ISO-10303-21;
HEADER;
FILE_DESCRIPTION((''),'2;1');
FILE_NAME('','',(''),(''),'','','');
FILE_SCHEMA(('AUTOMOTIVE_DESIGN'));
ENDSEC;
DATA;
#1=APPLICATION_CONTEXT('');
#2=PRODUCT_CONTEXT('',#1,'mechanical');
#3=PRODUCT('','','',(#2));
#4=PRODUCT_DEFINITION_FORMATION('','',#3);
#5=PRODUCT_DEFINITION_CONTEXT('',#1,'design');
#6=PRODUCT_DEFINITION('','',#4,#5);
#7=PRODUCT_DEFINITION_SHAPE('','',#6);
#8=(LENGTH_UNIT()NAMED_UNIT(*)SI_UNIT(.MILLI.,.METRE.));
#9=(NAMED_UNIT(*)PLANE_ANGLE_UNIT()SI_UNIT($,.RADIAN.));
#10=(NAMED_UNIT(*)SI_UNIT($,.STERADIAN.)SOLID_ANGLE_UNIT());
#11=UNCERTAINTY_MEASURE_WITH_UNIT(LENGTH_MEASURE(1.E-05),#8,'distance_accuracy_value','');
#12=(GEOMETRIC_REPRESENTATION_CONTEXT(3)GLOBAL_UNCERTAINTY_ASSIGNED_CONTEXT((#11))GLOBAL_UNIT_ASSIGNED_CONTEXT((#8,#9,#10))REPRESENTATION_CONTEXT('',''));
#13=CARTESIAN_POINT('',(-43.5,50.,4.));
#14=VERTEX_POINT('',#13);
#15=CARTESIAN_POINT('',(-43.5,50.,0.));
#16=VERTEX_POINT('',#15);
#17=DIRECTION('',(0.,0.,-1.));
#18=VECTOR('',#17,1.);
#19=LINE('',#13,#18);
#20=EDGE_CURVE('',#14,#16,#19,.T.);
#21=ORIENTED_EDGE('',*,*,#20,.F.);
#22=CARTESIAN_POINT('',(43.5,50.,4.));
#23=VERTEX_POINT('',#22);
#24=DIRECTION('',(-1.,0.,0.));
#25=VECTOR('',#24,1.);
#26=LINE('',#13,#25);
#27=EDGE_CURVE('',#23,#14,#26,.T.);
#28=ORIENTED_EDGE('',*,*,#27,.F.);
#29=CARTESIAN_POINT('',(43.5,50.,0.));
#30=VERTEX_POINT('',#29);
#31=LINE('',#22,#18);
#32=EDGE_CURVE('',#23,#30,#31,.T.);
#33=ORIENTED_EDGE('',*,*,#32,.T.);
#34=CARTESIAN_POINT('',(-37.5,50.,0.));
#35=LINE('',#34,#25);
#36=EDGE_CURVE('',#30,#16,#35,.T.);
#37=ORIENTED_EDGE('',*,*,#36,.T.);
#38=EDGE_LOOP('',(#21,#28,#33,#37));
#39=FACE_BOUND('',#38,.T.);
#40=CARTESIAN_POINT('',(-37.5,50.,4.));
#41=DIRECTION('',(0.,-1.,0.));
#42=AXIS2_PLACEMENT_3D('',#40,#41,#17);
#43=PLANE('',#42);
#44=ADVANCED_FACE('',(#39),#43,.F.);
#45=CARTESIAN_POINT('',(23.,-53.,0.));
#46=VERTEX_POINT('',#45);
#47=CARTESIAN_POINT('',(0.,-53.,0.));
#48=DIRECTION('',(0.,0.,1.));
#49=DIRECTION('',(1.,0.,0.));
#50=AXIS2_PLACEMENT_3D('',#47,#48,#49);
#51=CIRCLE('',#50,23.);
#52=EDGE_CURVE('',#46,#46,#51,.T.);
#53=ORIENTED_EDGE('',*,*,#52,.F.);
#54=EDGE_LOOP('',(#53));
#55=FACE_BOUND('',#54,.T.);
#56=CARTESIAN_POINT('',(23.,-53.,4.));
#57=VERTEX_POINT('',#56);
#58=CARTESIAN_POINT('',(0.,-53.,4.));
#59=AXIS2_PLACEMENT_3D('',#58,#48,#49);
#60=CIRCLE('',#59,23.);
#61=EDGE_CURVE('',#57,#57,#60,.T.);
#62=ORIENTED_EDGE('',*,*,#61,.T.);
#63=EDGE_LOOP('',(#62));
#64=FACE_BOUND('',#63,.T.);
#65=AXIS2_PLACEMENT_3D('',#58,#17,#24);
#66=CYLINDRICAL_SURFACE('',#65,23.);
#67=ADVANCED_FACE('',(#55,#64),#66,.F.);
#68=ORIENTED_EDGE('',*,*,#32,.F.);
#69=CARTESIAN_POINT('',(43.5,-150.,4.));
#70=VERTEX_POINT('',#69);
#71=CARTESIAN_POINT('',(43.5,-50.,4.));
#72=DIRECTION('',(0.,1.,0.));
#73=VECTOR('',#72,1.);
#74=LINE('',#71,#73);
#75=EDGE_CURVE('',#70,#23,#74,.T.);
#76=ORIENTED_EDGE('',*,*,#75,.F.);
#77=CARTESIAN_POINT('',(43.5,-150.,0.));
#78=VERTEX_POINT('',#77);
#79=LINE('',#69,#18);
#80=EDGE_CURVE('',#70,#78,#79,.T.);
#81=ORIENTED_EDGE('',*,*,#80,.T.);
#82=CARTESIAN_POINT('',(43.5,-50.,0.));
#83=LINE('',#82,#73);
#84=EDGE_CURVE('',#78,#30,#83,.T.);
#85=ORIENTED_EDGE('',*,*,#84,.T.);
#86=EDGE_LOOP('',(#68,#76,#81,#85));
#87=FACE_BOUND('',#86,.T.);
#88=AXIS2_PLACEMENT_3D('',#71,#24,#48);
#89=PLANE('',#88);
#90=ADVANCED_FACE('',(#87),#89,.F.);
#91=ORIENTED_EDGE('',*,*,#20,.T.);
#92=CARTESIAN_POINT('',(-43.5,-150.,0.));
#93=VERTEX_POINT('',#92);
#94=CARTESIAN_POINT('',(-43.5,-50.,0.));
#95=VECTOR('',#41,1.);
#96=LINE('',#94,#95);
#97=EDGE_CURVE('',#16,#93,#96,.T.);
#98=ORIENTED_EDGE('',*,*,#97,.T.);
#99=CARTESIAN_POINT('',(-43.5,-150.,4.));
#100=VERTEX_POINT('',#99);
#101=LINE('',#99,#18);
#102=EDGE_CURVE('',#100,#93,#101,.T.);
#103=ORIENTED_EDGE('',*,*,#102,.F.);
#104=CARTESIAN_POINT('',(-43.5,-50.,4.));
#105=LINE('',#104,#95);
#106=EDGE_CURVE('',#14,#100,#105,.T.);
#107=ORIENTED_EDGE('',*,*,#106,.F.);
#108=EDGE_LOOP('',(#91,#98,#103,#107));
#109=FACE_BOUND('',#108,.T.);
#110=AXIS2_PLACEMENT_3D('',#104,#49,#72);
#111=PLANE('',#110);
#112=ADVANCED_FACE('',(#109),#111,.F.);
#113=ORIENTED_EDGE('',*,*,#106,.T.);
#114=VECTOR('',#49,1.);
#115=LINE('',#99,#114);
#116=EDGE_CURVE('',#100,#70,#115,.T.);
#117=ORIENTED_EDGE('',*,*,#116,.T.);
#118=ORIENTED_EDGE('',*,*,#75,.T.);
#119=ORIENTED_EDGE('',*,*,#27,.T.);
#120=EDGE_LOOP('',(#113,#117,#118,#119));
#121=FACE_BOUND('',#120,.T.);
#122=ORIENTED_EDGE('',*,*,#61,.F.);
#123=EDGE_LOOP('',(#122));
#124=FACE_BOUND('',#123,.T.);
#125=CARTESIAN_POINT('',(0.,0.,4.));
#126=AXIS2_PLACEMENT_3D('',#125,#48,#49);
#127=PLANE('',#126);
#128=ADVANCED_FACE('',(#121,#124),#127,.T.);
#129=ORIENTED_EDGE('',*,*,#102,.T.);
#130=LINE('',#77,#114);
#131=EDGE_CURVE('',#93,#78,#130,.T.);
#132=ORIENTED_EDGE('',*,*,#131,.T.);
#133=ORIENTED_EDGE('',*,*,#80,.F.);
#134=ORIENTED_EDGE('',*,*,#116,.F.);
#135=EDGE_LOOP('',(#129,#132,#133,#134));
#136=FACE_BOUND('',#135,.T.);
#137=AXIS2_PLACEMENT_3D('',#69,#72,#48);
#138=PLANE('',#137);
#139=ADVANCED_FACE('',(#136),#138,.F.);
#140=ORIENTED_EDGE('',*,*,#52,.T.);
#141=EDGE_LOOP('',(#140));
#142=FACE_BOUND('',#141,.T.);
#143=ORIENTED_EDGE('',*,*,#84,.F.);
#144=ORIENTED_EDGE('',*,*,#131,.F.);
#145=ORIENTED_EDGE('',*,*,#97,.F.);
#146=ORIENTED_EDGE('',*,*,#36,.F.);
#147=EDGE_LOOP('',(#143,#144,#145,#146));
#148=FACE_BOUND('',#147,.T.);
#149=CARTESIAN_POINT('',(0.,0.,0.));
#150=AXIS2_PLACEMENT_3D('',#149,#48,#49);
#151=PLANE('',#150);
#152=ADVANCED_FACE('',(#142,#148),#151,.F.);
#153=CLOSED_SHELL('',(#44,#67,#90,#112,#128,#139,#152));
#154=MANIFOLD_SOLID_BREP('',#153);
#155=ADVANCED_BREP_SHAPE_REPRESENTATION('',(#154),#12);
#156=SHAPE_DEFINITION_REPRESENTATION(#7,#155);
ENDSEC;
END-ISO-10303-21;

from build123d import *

# Parameters (mm, degrees)
SKETCH_1_R      = 23
EXTRUDE_1_DEPTH = 4


with BuildPart() as part:
    # 草图1 → 凸台-拉伸1 (new body)
    with BuildSketch(Plane.XY):
        Polygon((37.5, 50), (-37.5, 50), (-43.5, 50), (-43.5, -50), (-43.5, -150), (-37.5, -150), (37.5, -150), (43.5, -150), (43.5, -50), (43.5, 50), align=None)
        with Locations((0, -53)):
            Circle(SKETCH_1_R, mode=Mode.SUBTRACT)
    extrude(amount=EXTRUDE_1_DEPTH)


solid = part.part
